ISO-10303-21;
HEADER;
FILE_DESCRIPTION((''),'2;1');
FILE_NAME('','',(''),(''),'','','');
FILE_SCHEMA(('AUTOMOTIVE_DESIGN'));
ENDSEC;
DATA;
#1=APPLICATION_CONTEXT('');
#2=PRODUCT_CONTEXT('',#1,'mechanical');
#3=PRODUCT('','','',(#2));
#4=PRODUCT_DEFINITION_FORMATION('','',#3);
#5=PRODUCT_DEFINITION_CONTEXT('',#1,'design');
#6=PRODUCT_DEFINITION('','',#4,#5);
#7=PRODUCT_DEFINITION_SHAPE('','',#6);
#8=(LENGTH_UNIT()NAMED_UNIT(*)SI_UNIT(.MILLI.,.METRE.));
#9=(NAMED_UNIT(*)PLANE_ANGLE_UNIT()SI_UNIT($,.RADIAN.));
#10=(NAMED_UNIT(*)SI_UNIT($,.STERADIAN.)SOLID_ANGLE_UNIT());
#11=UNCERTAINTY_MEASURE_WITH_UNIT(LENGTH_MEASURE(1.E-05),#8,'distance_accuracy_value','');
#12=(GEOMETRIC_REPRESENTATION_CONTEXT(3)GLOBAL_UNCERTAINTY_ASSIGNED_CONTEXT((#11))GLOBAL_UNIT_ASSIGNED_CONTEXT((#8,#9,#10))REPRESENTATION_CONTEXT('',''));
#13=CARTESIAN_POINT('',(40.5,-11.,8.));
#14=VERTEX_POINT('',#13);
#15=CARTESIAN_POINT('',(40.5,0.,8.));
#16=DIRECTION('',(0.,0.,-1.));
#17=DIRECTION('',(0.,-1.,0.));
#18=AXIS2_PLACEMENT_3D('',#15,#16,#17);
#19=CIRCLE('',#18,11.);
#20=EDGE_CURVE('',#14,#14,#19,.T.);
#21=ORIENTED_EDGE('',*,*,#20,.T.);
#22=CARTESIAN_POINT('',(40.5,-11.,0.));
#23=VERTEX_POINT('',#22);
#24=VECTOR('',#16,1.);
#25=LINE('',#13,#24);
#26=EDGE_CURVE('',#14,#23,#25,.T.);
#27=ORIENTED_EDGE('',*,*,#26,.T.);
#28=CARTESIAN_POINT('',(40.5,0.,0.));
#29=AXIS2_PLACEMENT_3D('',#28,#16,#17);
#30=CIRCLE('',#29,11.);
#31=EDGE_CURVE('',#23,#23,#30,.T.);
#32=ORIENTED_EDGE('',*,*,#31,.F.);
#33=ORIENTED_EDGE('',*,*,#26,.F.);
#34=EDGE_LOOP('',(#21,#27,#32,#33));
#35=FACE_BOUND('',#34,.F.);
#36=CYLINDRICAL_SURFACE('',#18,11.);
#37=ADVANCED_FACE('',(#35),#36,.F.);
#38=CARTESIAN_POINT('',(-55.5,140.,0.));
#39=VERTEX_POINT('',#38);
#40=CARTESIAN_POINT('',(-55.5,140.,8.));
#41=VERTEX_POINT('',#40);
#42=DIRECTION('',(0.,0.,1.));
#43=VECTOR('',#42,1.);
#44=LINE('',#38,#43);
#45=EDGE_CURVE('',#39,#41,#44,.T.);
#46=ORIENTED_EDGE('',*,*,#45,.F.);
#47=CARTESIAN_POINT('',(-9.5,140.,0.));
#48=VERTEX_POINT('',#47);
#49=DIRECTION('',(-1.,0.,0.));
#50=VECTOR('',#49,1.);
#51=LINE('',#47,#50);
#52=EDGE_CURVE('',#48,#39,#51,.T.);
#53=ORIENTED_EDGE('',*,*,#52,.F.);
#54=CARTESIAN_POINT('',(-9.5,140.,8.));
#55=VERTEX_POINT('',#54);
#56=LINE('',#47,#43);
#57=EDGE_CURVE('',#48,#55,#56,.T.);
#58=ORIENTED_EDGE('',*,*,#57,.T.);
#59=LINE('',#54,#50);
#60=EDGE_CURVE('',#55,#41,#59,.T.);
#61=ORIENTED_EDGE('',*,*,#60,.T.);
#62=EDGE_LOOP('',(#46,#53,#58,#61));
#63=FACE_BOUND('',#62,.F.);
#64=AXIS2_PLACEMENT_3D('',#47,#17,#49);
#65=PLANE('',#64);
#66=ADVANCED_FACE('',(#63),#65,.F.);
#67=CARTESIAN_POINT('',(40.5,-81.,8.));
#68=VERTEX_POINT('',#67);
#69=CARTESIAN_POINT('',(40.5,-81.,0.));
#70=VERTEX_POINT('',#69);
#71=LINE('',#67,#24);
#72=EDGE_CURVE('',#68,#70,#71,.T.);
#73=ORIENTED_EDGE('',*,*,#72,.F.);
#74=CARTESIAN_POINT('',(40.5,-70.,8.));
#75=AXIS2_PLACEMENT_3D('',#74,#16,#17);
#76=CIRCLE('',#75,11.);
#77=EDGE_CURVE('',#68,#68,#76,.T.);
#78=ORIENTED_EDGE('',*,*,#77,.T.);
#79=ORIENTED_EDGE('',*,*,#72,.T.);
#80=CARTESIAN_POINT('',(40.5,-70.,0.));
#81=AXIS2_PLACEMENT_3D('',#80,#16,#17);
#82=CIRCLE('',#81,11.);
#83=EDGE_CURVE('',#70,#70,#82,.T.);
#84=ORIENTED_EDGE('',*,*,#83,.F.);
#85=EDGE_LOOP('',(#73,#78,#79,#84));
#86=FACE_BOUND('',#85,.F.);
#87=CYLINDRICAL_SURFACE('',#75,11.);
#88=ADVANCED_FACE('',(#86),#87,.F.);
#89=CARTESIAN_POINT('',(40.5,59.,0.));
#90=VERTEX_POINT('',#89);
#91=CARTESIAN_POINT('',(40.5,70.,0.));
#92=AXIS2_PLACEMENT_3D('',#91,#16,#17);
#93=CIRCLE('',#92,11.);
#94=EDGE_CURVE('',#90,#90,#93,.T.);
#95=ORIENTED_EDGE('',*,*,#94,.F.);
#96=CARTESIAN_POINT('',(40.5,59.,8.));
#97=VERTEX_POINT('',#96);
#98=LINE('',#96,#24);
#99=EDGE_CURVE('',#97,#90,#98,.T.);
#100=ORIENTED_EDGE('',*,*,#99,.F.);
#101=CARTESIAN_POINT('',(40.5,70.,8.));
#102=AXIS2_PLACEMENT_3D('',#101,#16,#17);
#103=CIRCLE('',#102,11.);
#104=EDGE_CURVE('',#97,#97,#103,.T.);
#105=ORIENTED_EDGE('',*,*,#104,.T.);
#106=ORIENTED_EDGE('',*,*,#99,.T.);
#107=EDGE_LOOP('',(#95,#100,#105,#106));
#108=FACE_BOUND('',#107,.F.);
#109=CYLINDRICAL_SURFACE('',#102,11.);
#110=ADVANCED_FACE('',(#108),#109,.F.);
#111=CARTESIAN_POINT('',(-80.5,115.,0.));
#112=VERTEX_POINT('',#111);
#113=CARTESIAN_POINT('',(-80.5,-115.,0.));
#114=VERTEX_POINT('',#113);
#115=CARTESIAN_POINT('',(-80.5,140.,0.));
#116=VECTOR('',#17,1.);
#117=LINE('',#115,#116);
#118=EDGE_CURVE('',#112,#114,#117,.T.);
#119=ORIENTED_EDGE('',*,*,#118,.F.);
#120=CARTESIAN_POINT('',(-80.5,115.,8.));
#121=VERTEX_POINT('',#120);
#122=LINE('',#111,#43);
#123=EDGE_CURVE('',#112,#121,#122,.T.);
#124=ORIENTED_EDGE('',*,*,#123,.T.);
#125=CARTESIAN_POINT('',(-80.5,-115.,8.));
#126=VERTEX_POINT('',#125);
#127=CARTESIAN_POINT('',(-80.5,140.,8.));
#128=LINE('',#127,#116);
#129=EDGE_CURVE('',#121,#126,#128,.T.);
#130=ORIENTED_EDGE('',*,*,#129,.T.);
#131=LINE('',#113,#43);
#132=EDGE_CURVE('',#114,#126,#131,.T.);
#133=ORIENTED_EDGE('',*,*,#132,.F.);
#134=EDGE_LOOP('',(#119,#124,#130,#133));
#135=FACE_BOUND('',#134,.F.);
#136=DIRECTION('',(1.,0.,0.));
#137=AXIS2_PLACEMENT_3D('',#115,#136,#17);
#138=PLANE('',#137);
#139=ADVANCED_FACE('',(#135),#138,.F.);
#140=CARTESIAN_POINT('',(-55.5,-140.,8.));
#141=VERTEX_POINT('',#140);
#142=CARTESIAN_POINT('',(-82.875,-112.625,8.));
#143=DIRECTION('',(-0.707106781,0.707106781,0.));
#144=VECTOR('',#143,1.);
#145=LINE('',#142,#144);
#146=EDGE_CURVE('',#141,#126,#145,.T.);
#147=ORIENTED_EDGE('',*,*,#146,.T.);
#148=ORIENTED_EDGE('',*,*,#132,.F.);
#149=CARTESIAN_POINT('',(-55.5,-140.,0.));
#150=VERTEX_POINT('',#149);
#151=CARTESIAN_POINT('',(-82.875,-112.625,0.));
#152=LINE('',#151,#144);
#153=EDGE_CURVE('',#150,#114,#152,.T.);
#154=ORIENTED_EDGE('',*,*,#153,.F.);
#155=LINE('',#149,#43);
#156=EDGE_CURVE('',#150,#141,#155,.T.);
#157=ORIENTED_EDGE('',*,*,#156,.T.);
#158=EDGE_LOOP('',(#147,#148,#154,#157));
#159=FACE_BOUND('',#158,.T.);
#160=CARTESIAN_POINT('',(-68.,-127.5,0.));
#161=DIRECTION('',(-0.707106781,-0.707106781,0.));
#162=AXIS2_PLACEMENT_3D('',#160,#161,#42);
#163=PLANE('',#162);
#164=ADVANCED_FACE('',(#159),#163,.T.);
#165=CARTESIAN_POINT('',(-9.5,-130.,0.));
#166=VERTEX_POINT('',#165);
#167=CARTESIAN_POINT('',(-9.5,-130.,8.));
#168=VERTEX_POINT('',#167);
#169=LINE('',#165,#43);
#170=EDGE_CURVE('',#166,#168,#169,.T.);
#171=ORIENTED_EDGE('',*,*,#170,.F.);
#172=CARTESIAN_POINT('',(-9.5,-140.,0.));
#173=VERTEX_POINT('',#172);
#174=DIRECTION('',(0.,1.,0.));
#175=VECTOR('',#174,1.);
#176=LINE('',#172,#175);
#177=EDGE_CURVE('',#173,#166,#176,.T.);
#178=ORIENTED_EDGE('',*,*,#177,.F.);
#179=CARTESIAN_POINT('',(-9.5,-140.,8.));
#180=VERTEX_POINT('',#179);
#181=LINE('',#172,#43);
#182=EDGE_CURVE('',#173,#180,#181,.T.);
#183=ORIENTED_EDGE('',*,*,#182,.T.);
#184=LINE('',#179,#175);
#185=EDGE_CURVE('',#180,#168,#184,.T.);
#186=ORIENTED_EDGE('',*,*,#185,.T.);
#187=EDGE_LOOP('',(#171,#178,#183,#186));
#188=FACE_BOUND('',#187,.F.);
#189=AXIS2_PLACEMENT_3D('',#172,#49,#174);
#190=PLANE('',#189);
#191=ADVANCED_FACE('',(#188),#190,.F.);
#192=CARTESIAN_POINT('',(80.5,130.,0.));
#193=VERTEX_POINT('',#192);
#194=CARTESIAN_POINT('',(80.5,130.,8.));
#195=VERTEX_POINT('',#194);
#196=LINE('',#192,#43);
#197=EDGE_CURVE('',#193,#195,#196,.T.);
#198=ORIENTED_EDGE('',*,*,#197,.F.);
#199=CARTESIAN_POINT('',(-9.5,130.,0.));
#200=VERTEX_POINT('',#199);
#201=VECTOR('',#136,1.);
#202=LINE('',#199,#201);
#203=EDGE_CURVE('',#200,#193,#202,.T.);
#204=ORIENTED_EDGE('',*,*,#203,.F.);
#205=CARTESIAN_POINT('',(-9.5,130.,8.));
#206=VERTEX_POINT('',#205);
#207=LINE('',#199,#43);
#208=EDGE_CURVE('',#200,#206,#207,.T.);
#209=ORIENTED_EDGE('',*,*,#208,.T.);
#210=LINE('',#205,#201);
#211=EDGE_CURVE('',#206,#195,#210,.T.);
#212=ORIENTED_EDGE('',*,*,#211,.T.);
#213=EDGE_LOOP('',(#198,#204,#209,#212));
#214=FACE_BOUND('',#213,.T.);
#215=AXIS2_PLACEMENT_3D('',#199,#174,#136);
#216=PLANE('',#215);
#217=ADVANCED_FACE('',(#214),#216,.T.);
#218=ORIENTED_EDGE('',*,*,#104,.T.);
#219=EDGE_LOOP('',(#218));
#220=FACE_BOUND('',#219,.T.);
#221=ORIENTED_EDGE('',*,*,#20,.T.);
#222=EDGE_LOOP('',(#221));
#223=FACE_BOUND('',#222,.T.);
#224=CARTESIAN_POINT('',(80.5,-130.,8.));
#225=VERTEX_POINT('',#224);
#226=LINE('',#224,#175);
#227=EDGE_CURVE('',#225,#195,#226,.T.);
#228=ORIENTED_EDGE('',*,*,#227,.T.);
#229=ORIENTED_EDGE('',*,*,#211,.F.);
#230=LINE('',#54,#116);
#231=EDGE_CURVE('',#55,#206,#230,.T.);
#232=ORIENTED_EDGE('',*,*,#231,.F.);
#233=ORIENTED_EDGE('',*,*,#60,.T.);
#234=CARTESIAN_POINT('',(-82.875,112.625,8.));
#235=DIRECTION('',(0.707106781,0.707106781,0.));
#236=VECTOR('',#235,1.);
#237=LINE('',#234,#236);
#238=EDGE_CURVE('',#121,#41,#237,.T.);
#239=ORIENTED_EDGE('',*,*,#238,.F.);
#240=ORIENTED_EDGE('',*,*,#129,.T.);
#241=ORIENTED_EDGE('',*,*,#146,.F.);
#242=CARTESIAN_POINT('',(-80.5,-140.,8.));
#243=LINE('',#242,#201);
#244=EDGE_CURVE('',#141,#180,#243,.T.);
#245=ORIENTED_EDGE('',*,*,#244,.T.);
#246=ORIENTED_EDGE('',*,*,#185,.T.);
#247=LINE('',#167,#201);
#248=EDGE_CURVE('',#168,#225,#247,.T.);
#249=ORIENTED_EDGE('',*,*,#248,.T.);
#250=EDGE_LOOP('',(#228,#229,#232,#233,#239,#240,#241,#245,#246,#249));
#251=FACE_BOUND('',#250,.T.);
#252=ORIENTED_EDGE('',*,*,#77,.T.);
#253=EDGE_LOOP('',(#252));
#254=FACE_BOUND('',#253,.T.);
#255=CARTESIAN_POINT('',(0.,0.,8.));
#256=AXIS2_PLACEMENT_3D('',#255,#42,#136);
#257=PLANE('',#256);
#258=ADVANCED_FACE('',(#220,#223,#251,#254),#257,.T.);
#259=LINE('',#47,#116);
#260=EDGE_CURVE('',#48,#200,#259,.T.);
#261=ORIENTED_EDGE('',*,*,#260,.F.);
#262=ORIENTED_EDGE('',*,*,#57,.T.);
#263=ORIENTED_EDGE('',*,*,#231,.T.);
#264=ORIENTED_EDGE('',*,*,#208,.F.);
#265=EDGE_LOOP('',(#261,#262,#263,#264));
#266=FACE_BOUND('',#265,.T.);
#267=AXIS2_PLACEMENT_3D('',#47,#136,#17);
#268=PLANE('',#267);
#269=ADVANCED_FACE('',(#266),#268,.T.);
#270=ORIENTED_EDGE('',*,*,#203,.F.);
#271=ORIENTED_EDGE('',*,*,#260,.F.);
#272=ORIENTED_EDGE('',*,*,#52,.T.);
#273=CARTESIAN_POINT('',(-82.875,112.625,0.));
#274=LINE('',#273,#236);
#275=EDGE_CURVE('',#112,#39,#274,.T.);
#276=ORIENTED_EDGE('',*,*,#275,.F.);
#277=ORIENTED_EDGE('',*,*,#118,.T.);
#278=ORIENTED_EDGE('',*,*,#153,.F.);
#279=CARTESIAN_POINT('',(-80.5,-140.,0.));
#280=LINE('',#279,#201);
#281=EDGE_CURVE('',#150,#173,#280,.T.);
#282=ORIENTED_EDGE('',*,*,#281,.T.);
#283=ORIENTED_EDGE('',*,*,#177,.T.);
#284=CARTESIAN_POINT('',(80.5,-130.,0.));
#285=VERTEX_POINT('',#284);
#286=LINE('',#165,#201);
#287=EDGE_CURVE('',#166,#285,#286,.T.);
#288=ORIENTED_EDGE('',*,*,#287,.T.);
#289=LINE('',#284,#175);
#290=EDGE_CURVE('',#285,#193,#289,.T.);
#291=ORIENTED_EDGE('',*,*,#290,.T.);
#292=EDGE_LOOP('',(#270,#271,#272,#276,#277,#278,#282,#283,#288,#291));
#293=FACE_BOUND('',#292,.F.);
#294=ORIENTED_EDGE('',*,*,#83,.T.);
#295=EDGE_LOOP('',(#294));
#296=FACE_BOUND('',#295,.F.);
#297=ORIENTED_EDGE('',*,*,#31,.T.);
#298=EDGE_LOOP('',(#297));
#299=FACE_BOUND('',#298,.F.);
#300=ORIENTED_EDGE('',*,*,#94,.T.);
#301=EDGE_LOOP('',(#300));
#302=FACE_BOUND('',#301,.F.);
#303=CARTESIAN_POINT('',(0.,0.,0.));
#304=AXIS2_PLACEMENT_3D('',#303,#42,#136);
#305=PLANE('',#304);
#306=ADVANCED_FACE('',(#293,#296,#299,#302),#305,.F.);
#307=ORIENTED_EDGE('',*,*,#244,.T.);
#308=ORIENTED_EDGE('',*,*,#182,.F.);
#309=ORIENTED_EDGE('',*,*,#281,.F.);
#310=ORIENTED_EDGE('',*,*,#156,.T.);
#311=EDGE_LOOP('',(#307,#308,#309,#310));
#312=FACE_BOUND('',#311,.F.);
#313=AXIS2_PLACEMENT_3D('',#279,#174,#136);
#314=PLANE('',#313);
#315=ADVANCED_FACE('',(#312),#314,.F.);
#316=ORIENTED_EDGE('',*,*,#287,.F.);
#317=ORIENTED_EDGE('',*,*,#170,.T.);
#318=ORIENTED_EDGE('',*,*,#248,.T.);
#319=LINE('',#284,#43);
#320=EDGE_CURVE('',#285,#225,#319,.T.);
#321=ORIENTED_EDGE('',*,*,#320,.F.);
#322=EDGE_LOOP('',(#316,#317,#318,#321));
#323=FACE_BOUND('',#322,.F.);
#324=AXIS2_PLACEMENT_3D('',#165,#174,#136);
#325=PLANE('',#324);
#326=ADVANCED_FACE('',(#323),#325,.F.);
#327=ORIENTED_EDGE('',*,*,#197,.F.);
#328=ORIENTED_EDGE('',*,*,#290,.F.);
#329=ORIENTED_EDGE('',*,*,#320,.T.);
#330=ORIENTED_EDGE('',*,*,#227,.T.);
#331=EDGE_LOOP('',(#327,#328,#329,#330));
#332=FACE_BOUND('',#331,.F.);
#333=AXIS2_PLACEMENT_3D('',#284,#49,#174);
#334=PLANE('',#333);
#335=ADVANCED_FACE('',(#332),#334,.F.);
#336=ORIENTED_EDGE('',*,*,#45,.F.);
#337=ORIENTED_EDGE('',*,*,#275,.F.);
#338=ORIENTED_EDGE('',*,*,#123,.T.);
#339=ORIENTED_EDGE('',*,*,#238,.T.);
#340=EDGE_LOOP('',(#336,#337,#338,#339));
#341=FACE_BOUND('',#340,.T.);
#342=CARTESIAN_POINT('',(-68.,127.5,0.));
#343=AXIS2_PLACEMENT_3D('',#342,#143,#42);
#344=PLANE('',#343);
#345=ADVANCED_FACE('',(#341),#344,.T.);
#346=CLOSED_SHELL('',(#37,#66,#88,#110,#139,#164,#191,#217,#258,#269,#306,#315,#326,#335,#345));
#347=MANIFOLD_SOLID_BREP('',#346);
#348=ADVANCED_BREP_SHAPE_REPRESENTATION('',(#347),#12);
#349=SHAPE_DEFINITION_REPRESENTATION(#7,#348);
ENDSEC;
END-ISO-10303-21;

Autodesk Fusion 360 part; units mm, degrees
sketch "スケッチ1" plane through (0, 0, 0) normal (0, 0, 1) x (1, 0, 0)
  line L0 (-9.5, 140) -> (-80.5, 140)
  line L1 (-80.5, 140) -> (-80.5, -140)
  line L2 (-80.5, -140) -> (-9.5, -140)
  line L3 (80.5, -130) -> (80.5, 130)
  line L4 (74.75, 130) -> (-80.5, -140) construction
  line L5 (-80.5, 140) -> (74.75, -130) construction
  line L6 (-9.5, 140) -> (-9.5, 130)
  line L7 (-9.5, 130) -> (80.5, 130)
  line L8 (-9.5, -140) -> (-9.5, -130)
  line L9 (-9.5, -130) -> (80.5, -130)
  dimension "d2" = 280
extrude "押し出し1" add sketch "スケッチ1" along normal blind 8
chamfer "面取り1" distance 25 angle 45 2 edges at (-80.5, -140, 4) (-80.5, 140, 4)
sketch "スケッチ2" plane through (0, 0, 8) normal (0, 0, 1) x (-1, 0, 0)
  line L0 (55.5, -140) -> (80.5, -115)
  line L1 (80.5, -115) -> (80.5, 115)
  line L2 (80.5, 115) -> (55.5, 140)
  line L3 (55.5, 140) -> (9.5, 140)
  line L4 (9.5, 140) -> (9.5, 130)
  line L5 (9.5, 130) -> (-80.5, 130)
  line L6 (-80.5, 130) -> (-80.5, -130)
  line L7 (-80.5, -130) -> (9.5, -130)
  line L8 (9.5, -130) -> (9.5, -140)
  line L9 (9.5, -140) -> (55.5, -140)
  line L10 (-80.5, -130) -> (-40.5, -130) construction
  line L11 (-40.5, -130) -> (-40.5, -70) construction
  line L12 (-40.5, -70) -> (-80.5, -70) construction
  line L13 (-80.5, -70) -> (-80.5, -130) construction
  line L14 (-40.5, -70) -> (-40.5, 0) construction
  line L15 (-40.5, 0) -> (-40.5, 70) construction
  point P0 (-40.5, -70)
  point P1 (-40.5, 0)
  point P2 (-40.5, 70)
  dimension "d10" = 40
  dimension "d11" = 60
  dimension "d12" = 70
  dimension "d13" = 70
hole "穴1" at (40.5, 70, 8) at (40.5, 0, 8) at (40.5, -70, 8) direction (0, 0, -1) diameter 22 end through all
